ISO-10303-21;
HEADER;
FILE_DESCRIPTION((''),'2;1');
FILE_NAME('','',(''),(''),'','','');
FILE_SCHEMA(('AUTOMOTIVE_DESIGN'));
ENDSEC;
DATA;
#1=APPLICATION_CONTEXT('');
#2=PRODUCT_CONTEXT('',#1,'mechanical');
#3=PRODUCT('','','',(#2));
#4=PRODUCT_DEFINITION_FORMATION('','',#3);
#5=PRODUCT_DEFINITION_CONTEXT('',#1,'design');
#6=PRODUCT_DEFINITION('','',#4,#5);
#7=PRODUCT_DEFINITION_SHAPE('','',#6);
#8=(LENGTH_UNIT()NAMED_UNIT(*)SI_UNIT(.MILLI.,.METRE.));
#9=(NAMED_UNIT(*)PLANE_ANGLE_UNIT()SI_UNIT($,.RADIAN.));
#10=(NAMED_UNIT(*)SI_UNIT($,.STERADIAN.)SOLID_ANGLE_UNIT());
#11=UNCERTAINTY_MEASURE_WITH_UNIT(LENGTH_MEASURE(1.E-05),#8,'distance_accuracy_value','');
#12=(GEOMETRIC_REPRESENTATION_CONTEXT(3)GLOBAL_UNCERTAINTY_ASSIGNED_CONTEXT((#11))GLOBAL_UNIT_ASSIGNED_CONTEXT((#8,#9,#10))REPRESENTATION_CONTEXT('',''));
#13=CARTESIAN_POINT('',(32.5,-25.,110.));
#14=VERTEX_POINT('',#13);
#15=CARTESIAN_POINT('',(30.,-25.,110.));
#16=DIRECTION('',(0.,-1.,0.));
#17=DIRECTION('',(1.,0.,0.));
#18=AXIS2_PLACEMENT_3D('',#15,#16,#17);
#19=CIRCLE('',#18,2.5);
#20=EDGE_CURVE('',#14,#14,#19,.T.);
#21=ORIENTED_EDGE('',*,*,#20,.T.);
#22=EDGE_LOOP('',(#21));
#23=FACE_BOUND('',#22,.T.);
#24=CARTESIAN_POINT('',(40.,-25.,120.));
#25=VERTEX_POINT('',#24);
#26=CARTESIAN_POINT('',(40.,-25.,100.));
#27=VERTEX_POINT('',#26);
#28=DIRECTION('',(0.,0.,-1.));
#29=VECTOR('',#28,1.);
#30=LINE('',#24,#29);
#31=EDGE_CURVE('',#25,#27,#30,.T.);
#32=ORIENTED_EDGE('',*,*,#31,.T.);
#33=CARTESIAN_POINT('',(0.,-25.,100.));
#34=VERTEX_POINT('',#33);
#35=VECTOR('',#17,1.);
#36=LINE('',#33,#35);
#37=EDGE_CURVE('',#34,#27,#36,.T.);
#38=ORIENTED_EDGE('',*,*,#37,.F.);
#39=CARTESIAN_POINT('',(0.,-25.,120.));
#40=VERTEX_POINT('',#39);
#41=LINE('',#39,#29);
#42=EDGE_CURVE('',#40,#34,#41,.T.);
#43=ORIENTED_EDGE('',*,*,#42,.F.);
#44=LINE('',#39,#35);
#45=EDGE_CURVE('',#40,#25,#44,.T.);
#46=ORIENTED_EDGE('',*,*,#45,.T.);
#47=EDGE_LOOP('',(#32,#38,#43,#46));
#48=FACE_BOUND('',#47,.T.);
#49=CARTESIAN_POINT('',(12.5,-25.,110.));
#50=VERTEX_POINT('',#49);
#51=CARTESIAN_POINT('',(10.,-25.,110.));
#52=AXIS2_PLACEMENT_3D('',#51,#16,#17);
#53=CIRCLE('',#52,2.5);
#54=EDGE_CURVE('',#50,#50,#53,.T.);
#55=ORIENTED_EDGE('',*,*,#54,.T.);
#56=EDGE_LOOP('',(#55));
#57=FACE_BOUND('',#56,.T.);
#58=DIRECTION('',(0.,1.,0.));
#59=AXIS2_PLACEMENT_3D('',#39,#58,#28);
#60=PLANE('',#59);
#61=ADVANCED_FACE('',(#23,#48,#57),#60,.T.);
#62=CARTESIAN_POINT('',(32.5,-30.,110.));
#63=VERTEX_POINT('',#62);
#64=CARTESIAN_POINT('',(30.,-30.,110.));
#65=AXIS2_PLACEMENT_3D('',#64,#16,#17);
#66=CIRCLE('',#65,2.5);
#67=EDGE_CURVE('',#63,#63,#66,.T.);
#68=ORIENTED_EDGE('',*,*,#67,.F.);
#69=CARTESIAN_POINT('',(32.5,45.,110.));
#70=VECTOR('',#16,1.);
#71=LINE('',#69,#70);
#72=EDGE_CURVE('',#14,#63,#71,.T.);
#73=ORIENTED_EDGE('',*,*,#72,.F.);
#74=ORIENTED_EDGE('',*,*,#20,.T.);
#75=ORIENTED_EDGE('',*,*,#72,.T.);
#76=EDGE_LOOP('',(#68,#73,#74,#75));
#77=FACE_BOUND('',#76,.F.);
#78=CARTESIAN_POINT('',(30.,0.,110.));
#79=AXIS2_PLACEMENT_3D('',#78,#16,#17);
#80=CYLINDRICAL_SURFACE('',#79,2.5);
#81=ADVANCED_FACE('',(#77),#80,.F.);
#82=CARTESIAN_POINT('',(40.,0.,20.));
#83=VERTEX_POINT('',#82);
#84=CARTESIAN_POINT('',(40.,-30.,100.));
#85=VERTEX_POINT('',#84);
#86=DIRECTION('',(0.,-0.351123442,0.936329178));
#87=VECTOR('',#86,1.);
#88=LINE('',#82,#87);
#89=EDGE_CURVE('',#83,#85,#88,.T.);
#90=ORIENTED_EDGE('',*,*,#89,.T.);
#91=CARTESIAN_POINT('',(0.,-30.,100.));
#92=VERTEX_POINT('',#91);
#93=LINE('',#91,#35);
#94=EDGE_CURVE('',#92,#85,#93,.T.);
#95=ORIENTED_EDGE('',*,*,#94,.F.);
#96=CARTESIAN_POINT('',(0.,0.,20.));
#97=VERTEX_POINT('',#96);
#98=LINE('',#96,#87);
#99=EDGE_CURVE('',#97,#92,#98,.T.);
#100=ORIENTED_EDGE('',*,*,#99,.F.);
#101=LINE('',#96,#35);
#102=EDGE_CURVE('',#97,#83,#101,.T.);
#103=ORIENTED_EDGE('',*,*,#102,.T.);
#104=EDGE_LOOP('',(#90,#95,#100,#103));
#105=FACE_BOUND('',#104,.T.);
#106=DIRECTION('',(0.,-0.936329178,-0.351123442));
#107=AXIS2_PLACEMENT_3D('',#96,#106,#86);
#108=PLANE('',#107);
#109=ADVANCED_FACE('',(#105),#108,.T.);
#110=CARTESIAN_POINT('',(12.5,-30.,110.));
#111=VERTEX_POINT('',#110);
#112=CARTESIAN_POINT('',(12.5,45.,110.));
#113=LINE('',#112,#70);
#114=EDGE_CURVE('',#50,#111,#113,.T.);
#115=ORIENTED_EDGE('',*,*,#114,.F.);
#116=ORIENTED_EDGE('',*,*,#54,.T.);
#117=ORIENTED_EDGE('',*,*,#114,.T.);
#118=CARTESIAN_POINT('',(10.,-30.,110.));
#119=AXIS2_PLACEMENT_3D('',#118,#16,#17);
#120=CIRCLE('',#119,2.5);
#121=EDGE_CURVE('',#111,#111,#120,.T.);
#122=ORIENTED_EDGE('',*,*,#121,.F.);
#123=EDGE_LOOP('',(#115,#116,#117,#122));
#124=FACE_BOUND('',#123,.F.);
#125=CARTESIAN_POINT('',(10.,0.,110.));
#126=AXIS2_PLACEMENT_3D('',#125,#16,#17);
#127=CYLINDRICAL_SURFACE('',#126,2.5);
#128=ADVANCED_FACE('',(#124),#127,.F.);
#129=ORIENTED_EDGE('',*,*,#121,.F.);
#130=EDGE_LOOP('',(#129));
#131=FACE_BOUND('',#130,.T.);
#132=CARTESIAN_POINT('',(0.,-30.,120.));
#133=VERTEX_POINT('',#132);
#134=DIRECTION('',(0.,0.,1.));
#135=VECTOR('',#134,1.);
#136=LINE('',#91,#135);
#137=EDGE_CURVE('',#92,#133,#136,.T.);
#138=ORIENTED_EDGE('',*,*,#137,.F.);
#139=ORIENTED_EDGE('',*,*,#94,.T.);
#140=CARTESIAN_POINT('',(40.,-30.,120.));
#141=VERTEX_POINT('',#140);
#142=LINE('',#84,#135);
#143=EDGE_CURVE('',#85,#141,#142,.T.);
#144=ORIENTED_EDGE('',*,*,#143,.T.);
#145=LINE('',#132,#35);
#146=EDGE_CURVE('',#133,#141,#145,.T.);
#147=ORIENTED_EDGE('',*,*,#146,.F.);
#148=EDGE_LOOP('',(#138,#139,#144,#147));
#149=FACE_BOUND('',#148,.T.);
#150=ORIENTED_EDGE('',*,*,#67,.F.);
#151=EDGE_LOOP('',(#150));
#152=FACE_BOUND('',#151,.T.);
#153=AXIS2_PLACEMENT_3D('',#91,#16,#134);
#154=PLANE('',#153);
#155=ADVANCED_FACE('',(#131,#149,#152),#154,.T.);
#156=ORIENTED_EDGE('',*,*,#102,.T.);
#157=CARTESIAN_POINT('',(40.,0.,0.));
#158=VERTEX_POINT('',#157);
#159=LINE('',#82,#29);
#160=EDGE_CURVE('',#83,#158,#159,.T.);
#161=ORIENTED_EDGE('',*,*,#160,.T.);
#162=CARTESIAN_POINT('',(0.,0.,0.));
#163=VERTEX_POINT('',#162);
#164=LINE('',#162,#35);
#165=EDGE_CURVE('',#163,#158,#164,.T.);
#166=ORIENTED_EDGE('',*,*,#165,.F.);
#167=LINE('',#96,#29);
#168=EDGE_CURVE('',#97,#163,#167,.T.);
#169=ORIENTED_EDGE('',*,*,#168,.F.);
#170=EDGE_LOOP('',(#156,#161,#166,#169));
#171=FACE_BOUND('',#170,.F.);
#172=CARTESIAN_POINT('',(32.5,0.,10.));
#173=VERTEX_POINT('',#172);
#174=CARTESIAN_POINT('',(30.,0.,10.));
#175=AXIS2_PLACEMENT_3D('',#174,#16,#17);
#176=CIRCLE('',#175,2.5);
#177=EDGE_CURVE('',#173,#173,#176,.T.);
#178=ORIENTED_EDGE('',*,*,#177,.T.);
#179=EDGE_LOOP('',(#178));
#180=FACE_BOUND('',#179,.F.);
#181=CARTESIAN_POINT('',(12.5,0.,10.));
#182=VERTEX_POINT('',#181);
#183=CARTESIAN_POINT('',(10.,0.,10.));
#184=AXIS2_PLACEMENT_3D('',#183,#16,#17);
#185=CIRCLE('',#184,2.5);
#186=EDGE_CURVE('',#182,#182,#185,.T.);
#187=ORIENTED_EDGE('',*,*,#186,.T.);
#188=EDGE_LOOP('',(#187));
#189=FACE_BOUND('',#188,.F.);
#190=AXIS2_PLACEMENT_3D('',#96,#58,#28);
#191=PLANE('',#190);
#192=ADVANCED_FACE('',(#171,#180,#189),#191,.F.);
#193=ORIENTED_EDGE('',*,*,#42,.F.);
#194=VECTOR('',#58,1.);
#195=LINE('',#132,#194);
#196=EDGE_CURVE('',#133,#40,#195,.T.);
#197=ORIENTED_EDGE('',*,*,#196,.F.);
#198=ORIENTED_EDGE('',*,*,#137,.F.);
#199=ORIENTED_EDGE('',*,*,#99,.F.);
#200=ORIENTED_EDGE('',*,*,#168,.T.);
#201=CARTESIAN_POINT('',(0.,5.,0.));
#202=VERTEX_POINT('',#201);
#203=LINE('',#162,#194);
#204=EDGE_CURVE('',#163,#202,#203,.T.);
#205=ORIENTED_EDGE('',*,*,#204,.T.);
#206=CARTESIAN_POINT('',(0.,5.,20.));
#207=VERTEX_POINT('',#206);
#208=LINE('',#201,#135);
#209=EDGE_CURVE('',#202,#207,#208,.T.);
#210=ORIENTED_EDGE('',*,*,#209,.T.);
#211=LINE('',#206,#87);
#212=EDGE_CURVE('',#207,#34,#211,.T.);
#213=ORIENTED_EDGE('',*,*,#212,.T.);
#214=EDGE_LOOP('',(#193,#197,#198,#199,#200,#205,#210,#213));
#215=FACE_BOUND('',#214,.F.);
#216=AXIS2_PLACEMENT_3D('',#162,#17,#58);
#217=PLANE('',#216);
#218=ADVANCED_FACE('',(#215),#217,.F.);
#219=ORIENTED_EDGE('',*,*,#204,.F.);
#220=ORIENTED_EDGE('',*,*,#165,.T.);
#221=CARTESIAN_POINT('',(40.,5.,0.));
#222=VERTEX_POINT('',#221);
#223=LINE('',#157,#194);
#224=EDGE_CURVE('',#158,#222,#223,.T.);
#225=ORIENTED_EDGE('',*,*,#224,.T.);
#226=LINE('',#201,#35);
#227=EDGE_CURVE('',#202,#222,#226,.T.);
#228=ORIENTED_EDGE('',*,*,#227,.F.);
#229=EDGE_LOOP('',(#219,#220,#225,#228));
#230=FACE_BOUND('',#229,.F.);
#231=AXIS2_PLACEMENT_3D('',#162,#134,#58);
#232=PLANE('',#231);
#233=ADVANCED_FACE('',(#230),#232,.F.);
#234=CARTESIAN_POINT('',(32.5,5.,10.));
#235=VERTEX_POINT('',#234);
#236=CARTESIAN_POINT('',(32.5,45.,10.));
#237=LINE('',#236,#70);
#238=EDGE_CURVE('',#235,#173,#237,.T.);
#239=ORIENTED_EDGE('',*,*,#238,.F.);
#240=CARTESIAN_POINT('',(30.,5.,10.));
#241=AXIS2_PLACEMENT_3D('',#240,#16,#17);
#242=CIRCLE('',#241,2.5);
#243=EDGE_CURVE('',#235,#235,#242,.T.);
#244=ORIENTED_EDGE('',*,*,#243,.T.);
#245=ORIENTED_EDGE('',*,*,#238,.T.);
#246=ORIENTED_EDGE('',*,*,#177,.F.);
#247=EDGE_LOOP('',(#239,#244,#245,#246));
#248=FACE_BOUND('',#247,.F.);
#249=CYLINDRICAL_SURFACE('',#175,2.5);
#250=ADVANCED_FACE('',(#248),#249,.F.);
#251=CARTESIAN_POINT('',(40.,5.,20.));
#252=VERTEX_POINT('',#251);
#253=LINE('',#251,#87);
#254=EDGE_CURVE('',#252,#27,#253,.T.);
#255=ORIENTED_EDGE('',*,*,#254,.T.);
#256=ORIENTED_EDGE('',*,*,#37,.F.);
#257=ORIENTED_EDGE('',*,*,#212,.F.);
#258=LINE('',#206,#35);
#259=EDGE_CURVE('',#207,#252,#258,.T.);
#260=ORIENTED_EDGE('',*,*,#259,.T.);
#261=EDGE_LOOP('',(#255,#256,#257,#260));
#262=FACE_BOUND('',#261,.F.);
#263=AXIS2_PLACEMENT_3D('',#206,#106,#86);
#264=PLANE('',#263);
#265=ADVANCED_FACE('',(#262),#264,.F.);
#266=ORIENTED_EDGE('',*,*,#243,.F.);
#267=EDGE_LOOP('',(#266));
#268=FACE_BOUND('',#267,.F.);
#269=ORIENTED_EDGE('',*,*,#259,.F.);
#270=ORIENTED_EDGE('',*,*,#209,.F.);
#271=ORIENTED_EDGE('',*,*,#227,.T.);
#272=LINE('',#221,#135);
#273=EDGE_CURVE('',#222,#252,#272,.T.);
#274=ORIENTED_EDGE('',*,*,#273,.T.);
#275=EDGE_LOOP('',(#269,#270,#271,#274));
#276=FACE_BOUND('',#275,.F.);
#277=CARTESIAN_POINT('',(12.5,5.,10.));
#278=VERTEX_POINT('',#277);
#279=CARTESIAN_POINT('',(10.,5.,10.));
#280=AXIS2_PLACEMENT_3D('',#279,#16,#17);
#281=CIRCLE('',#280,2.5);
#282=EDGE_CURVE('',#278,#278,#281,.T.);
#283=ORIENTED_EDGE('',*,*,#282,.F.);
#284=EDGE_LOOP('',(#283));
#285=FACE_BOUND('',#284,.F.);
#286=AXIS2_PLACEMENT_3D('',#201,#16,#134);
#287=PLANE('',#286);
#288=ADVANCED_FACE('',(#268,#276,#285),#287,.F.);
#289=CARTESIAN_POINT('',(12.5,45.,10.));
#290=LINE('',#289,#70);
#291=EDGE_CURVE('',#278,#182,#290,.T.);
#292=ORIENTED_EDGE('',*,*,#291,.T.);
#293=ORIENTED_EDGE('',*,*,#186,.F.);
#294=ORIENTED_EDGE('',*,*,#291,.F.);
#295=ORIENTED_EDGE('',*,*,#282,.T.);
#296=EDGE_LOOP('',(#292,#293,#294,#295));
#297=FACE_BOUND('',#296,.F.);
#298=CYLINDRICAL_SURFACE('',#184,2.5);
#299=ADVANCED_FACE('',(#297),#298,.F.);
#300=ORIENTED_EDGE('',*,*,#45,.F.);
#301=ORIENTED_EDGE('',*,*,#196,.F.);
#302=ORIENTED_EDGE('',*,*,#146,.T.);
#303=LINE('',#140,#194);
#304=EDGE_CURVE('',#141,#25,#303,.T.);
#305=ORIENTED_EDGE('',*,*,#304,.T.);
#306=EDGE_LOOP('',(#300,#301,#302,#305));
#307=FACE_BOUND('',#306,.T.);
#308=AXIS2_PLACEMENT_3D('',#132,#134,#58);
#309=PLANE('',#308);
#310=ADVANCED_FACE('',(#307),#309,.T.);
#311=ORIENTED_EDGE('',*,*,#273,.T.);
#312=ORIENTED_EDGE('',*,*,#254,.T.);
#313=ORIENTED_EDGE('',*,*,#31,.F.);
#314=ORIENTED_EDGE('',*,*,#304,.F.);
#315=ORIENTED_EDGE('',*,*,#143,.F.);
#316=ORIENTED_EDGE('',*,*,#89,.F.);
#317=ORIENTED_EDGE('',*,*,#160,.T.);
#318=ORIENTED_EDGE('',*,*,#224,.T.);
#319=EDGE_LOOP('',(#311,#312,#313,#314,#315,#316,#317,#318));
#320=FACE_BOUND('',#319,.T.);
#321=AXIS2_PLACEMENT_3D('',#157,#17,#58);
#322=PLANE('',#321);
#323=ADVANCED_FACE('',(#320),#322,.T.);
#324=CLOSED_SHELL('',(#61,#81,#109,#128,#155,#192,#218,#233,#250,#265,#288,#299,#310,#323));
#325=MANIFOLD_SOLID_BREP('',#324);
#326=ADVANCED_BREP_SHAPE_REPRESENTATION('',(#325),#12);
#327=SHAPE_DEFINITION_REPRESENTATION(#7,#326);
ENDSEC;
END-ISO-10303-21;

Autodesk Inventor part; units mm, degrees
ref_plane "YZ Plane" through (0, 0, 0) normal (1, 0, 0) x (0, 1, 0)
ref_plane "XZ Plane" through (0, 0, 0) normal (0, 1, 0) x (-1, 0, 0)
ref_plane "XY Plane" through (0, 0, 0) normal (0, 0, 1) x (1, 0, 0)
sketch "Sketch1" plane through (0, 0, 0) normal (1, 0, 0) x (0, 1, 0)
  line L0 (0, 0) -> (5, 0)
  line L1 (5, 0) -> (5, 20)
  line L2 (5, 20) -> (0, 20)
  line L3 (0, 20) -> (0, 0)
  line L4 (-25, 100) -> (-30, 100)
  line L5 (-30, 100) -> (-30, 120)
  line L6 (-30, 120) -> (-25, 120)
  line L7 (-25, 120) -> (-25, 100)
  line L8 (5, 20) -> (-25, 100)
  line L9 (0, 20) -> (-30, 100)
  dimension "d0" = 5
  dimension "d1" = 20
  dimension "d2" = 5
  dimension "d3" = 20
  dimension "d4" = 35
  dimension "d5" = 120
extrude "Extrusion1" add sketch "Sketch1" along normal blind 40
sketch "Sketch2" plane through (0, 0, 0) normal (0, -1, 0) x (1, 0, 0)
  circle A0 centre (30, 10) radius 2.5
  circle A1 centre (10, 10) radius 2.5
  circle A2 centre (30, 110) radius 2.5
  circle A3 centre (10, 110) radius 2.5
  line L0 (40, 120) -> (40, 100) projected
  line L1 (0, 120) -> (40, 120) projected
  line L2 (0, 120) -> (0, 100) projected
  line L3 (0, 20) -> (0, 0) projected
  line L4 (40, 20) -> (40, 0) projected
  line L5 (0, 0) -> (40, 0) projected
  dimension "d8" = 5
  dimension "d9" = 5
  dimension "d10" = 5
  dimension "d11" = 5
  dimension "d12" = 10
  dimension "d13" = 10
  dimension "d14" = 10
  dimension "d15" = 10
  dimension "d16" = 10
  dimension "d17" = 10
  dimension "d18" = 10
  dimension "d19" = 10
extrude "Extrusion2" cut sketch "Sketch2" against normal mid plane 90
properties part number "BracketControlPannel"
